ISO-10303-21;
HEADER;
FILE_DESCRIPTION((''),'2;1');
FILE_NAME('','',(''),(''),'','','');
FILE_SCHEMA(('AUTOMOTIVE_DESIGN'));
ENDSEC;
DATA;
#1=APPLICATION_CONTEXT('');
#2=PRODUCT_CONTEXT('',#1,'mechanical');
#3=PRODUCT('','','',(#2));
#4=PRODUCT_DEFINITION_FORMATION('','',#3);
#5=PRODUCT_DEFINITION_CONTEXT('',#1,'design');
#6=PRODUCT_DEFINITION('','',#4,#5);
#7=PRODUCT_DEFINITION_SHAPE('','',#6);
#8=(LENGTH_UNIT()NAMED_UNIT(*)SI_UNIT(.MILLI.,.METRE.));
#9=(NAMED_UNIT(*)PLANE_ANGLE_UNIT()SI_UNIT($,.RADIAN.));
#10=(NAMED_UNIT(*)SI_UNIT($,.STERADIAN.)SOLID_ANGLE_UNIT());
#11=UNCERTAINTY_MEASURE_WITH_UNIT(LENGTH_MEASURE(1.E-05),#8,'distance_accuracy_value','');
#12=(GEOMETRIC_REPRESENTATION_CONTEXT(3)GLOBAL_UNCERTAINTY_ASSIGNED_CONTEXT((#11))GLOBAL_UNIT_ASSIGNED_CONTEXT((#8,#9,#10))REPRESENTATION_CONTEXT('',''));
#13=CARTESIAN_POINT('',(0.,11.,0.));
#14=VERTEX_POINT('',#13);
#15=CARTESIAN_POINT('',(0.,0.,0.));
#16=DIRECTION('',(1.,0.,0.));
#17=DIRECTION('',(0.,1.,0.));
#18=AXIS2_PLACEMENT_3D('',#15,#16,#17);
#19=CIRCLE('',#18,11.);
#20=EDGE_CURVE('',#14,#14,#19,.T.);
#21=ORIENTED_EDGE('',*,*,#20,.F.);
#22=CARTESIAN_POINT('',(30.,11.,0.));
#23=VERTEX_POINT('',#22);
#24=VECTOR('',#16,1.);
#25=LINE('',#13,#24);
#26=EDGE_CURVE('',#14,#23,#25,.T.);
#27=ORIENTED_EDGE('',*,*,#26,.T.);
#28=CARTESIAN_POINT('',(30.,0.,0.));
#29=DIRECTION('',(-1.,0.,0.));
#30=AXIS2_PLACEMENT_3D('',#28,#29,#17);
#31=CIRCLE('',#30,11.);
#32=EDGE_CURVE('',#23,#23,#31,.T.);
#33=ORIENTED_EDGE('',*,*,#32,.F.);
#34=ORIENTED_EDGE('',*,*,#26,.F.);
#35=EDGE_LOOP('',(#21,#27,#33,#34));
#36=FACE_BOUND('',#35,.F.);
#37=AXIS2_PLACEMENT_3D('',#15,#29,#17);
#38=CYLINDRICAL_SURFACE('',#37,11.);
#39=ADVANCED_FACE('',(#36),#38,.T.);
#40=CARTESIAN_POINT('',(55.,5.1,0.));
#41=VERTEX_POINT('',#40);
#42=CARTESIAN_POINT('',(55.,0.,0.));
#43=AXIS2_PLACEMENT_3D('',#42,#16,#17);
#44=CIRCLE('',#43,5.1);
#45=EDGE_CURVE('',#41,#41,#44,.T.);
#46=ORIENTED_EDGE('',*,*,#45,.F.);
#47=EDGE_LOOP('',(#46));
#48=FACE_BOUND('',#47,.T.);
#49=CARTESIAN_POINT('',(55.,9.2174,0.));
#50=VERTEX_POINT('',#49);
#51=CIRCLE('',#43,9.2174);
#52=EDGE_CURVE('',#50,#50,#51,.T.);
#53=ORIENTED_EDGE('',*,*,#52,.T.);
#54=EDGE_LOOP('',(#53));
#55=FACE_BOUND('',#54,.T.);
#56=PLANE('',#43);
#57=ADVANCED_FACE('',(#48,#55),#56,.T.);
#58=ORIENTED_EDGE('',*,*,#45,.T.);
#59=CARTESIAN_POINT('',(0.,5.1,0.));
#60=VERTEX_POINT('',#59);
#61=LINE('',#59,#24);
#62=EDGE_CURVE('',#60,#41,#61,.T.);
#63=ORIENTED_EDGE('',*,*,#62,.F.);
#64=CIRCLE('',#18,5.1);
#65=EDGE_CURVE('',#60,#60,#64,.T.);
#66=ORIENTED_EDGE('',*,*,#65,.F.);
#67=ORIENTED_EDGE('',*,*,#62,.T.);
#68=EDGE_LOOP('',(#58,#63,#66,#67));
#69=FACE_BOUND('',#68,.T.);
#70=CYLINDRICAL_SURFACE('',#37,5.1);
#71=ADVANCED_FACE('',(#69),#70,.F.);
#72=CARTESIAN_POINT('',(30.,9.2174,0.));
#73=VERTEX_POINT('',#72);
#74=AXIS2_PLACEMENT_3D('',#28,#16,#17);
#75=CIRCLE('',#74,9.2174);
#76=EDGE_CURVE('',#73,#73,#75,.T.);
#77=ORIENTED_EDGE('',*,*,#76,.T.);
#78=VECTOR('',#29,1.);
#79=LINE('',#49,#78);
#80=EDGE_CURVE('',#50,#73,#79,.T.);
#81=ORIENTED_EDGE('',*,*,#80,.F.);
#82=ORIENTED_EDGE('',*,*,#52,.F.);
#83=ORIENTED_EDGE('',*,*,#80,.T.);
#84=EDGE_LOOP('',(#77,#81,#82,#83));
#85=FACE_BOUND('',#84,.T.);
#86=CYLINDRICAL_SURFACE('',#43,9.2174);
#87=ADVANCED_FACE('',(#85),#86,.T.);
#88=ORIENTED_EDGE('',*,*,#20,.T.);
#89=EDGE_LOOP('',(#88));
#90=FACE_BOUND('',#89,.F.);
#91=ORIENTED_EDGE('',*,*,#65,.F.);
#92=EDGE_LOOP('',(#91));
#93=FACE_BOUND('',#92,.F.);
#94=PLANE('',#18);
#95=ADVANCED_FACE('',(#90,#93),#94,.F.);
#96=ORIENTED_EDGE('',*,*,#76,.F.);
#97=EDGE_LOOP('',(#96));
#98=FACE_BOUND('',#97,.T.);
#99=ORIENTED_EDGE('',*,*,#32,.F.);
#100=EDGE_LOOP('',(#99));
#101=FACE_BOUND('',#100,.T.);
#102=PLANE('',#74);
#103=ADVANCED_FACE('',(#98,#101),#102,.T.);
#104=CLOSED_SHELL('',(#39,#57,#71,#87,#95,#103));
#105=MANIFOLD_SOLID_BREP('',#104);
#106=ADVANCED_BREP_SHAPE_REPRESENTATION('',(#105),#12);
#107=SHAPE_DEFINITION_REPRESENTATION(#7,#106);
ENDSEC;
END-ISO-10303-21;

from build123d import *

# Parameters (mm, degrees)
F0_R     = 11
F0_R_2   = 5.1
F1_DEPTH = 55
F2_R     = 12.841129
F2_R_2   = 9.2174
F3_DEPTH = 25


with BuildPart() as f1:
    # F0 (on Right) → F1 (new body)
    with BuildSketch(Plane.YZ):
        Circle(F0_R)
        Circle(F0_R_2, mode=Mode.SUBTRACT)
    extrude(amount=F1_DEPTH)

    # F2 (on face) → F3 (cut)
    with BuildSketch(Plane.YZ.offset(55)):
        Circle(F2_R)
        Circle(F2_R_2, mode=Mode.SUBTRACT)
    extrude(amount=-F3_DEPTH, mode=Mode.SUBTRACT)


solid = f1.part
